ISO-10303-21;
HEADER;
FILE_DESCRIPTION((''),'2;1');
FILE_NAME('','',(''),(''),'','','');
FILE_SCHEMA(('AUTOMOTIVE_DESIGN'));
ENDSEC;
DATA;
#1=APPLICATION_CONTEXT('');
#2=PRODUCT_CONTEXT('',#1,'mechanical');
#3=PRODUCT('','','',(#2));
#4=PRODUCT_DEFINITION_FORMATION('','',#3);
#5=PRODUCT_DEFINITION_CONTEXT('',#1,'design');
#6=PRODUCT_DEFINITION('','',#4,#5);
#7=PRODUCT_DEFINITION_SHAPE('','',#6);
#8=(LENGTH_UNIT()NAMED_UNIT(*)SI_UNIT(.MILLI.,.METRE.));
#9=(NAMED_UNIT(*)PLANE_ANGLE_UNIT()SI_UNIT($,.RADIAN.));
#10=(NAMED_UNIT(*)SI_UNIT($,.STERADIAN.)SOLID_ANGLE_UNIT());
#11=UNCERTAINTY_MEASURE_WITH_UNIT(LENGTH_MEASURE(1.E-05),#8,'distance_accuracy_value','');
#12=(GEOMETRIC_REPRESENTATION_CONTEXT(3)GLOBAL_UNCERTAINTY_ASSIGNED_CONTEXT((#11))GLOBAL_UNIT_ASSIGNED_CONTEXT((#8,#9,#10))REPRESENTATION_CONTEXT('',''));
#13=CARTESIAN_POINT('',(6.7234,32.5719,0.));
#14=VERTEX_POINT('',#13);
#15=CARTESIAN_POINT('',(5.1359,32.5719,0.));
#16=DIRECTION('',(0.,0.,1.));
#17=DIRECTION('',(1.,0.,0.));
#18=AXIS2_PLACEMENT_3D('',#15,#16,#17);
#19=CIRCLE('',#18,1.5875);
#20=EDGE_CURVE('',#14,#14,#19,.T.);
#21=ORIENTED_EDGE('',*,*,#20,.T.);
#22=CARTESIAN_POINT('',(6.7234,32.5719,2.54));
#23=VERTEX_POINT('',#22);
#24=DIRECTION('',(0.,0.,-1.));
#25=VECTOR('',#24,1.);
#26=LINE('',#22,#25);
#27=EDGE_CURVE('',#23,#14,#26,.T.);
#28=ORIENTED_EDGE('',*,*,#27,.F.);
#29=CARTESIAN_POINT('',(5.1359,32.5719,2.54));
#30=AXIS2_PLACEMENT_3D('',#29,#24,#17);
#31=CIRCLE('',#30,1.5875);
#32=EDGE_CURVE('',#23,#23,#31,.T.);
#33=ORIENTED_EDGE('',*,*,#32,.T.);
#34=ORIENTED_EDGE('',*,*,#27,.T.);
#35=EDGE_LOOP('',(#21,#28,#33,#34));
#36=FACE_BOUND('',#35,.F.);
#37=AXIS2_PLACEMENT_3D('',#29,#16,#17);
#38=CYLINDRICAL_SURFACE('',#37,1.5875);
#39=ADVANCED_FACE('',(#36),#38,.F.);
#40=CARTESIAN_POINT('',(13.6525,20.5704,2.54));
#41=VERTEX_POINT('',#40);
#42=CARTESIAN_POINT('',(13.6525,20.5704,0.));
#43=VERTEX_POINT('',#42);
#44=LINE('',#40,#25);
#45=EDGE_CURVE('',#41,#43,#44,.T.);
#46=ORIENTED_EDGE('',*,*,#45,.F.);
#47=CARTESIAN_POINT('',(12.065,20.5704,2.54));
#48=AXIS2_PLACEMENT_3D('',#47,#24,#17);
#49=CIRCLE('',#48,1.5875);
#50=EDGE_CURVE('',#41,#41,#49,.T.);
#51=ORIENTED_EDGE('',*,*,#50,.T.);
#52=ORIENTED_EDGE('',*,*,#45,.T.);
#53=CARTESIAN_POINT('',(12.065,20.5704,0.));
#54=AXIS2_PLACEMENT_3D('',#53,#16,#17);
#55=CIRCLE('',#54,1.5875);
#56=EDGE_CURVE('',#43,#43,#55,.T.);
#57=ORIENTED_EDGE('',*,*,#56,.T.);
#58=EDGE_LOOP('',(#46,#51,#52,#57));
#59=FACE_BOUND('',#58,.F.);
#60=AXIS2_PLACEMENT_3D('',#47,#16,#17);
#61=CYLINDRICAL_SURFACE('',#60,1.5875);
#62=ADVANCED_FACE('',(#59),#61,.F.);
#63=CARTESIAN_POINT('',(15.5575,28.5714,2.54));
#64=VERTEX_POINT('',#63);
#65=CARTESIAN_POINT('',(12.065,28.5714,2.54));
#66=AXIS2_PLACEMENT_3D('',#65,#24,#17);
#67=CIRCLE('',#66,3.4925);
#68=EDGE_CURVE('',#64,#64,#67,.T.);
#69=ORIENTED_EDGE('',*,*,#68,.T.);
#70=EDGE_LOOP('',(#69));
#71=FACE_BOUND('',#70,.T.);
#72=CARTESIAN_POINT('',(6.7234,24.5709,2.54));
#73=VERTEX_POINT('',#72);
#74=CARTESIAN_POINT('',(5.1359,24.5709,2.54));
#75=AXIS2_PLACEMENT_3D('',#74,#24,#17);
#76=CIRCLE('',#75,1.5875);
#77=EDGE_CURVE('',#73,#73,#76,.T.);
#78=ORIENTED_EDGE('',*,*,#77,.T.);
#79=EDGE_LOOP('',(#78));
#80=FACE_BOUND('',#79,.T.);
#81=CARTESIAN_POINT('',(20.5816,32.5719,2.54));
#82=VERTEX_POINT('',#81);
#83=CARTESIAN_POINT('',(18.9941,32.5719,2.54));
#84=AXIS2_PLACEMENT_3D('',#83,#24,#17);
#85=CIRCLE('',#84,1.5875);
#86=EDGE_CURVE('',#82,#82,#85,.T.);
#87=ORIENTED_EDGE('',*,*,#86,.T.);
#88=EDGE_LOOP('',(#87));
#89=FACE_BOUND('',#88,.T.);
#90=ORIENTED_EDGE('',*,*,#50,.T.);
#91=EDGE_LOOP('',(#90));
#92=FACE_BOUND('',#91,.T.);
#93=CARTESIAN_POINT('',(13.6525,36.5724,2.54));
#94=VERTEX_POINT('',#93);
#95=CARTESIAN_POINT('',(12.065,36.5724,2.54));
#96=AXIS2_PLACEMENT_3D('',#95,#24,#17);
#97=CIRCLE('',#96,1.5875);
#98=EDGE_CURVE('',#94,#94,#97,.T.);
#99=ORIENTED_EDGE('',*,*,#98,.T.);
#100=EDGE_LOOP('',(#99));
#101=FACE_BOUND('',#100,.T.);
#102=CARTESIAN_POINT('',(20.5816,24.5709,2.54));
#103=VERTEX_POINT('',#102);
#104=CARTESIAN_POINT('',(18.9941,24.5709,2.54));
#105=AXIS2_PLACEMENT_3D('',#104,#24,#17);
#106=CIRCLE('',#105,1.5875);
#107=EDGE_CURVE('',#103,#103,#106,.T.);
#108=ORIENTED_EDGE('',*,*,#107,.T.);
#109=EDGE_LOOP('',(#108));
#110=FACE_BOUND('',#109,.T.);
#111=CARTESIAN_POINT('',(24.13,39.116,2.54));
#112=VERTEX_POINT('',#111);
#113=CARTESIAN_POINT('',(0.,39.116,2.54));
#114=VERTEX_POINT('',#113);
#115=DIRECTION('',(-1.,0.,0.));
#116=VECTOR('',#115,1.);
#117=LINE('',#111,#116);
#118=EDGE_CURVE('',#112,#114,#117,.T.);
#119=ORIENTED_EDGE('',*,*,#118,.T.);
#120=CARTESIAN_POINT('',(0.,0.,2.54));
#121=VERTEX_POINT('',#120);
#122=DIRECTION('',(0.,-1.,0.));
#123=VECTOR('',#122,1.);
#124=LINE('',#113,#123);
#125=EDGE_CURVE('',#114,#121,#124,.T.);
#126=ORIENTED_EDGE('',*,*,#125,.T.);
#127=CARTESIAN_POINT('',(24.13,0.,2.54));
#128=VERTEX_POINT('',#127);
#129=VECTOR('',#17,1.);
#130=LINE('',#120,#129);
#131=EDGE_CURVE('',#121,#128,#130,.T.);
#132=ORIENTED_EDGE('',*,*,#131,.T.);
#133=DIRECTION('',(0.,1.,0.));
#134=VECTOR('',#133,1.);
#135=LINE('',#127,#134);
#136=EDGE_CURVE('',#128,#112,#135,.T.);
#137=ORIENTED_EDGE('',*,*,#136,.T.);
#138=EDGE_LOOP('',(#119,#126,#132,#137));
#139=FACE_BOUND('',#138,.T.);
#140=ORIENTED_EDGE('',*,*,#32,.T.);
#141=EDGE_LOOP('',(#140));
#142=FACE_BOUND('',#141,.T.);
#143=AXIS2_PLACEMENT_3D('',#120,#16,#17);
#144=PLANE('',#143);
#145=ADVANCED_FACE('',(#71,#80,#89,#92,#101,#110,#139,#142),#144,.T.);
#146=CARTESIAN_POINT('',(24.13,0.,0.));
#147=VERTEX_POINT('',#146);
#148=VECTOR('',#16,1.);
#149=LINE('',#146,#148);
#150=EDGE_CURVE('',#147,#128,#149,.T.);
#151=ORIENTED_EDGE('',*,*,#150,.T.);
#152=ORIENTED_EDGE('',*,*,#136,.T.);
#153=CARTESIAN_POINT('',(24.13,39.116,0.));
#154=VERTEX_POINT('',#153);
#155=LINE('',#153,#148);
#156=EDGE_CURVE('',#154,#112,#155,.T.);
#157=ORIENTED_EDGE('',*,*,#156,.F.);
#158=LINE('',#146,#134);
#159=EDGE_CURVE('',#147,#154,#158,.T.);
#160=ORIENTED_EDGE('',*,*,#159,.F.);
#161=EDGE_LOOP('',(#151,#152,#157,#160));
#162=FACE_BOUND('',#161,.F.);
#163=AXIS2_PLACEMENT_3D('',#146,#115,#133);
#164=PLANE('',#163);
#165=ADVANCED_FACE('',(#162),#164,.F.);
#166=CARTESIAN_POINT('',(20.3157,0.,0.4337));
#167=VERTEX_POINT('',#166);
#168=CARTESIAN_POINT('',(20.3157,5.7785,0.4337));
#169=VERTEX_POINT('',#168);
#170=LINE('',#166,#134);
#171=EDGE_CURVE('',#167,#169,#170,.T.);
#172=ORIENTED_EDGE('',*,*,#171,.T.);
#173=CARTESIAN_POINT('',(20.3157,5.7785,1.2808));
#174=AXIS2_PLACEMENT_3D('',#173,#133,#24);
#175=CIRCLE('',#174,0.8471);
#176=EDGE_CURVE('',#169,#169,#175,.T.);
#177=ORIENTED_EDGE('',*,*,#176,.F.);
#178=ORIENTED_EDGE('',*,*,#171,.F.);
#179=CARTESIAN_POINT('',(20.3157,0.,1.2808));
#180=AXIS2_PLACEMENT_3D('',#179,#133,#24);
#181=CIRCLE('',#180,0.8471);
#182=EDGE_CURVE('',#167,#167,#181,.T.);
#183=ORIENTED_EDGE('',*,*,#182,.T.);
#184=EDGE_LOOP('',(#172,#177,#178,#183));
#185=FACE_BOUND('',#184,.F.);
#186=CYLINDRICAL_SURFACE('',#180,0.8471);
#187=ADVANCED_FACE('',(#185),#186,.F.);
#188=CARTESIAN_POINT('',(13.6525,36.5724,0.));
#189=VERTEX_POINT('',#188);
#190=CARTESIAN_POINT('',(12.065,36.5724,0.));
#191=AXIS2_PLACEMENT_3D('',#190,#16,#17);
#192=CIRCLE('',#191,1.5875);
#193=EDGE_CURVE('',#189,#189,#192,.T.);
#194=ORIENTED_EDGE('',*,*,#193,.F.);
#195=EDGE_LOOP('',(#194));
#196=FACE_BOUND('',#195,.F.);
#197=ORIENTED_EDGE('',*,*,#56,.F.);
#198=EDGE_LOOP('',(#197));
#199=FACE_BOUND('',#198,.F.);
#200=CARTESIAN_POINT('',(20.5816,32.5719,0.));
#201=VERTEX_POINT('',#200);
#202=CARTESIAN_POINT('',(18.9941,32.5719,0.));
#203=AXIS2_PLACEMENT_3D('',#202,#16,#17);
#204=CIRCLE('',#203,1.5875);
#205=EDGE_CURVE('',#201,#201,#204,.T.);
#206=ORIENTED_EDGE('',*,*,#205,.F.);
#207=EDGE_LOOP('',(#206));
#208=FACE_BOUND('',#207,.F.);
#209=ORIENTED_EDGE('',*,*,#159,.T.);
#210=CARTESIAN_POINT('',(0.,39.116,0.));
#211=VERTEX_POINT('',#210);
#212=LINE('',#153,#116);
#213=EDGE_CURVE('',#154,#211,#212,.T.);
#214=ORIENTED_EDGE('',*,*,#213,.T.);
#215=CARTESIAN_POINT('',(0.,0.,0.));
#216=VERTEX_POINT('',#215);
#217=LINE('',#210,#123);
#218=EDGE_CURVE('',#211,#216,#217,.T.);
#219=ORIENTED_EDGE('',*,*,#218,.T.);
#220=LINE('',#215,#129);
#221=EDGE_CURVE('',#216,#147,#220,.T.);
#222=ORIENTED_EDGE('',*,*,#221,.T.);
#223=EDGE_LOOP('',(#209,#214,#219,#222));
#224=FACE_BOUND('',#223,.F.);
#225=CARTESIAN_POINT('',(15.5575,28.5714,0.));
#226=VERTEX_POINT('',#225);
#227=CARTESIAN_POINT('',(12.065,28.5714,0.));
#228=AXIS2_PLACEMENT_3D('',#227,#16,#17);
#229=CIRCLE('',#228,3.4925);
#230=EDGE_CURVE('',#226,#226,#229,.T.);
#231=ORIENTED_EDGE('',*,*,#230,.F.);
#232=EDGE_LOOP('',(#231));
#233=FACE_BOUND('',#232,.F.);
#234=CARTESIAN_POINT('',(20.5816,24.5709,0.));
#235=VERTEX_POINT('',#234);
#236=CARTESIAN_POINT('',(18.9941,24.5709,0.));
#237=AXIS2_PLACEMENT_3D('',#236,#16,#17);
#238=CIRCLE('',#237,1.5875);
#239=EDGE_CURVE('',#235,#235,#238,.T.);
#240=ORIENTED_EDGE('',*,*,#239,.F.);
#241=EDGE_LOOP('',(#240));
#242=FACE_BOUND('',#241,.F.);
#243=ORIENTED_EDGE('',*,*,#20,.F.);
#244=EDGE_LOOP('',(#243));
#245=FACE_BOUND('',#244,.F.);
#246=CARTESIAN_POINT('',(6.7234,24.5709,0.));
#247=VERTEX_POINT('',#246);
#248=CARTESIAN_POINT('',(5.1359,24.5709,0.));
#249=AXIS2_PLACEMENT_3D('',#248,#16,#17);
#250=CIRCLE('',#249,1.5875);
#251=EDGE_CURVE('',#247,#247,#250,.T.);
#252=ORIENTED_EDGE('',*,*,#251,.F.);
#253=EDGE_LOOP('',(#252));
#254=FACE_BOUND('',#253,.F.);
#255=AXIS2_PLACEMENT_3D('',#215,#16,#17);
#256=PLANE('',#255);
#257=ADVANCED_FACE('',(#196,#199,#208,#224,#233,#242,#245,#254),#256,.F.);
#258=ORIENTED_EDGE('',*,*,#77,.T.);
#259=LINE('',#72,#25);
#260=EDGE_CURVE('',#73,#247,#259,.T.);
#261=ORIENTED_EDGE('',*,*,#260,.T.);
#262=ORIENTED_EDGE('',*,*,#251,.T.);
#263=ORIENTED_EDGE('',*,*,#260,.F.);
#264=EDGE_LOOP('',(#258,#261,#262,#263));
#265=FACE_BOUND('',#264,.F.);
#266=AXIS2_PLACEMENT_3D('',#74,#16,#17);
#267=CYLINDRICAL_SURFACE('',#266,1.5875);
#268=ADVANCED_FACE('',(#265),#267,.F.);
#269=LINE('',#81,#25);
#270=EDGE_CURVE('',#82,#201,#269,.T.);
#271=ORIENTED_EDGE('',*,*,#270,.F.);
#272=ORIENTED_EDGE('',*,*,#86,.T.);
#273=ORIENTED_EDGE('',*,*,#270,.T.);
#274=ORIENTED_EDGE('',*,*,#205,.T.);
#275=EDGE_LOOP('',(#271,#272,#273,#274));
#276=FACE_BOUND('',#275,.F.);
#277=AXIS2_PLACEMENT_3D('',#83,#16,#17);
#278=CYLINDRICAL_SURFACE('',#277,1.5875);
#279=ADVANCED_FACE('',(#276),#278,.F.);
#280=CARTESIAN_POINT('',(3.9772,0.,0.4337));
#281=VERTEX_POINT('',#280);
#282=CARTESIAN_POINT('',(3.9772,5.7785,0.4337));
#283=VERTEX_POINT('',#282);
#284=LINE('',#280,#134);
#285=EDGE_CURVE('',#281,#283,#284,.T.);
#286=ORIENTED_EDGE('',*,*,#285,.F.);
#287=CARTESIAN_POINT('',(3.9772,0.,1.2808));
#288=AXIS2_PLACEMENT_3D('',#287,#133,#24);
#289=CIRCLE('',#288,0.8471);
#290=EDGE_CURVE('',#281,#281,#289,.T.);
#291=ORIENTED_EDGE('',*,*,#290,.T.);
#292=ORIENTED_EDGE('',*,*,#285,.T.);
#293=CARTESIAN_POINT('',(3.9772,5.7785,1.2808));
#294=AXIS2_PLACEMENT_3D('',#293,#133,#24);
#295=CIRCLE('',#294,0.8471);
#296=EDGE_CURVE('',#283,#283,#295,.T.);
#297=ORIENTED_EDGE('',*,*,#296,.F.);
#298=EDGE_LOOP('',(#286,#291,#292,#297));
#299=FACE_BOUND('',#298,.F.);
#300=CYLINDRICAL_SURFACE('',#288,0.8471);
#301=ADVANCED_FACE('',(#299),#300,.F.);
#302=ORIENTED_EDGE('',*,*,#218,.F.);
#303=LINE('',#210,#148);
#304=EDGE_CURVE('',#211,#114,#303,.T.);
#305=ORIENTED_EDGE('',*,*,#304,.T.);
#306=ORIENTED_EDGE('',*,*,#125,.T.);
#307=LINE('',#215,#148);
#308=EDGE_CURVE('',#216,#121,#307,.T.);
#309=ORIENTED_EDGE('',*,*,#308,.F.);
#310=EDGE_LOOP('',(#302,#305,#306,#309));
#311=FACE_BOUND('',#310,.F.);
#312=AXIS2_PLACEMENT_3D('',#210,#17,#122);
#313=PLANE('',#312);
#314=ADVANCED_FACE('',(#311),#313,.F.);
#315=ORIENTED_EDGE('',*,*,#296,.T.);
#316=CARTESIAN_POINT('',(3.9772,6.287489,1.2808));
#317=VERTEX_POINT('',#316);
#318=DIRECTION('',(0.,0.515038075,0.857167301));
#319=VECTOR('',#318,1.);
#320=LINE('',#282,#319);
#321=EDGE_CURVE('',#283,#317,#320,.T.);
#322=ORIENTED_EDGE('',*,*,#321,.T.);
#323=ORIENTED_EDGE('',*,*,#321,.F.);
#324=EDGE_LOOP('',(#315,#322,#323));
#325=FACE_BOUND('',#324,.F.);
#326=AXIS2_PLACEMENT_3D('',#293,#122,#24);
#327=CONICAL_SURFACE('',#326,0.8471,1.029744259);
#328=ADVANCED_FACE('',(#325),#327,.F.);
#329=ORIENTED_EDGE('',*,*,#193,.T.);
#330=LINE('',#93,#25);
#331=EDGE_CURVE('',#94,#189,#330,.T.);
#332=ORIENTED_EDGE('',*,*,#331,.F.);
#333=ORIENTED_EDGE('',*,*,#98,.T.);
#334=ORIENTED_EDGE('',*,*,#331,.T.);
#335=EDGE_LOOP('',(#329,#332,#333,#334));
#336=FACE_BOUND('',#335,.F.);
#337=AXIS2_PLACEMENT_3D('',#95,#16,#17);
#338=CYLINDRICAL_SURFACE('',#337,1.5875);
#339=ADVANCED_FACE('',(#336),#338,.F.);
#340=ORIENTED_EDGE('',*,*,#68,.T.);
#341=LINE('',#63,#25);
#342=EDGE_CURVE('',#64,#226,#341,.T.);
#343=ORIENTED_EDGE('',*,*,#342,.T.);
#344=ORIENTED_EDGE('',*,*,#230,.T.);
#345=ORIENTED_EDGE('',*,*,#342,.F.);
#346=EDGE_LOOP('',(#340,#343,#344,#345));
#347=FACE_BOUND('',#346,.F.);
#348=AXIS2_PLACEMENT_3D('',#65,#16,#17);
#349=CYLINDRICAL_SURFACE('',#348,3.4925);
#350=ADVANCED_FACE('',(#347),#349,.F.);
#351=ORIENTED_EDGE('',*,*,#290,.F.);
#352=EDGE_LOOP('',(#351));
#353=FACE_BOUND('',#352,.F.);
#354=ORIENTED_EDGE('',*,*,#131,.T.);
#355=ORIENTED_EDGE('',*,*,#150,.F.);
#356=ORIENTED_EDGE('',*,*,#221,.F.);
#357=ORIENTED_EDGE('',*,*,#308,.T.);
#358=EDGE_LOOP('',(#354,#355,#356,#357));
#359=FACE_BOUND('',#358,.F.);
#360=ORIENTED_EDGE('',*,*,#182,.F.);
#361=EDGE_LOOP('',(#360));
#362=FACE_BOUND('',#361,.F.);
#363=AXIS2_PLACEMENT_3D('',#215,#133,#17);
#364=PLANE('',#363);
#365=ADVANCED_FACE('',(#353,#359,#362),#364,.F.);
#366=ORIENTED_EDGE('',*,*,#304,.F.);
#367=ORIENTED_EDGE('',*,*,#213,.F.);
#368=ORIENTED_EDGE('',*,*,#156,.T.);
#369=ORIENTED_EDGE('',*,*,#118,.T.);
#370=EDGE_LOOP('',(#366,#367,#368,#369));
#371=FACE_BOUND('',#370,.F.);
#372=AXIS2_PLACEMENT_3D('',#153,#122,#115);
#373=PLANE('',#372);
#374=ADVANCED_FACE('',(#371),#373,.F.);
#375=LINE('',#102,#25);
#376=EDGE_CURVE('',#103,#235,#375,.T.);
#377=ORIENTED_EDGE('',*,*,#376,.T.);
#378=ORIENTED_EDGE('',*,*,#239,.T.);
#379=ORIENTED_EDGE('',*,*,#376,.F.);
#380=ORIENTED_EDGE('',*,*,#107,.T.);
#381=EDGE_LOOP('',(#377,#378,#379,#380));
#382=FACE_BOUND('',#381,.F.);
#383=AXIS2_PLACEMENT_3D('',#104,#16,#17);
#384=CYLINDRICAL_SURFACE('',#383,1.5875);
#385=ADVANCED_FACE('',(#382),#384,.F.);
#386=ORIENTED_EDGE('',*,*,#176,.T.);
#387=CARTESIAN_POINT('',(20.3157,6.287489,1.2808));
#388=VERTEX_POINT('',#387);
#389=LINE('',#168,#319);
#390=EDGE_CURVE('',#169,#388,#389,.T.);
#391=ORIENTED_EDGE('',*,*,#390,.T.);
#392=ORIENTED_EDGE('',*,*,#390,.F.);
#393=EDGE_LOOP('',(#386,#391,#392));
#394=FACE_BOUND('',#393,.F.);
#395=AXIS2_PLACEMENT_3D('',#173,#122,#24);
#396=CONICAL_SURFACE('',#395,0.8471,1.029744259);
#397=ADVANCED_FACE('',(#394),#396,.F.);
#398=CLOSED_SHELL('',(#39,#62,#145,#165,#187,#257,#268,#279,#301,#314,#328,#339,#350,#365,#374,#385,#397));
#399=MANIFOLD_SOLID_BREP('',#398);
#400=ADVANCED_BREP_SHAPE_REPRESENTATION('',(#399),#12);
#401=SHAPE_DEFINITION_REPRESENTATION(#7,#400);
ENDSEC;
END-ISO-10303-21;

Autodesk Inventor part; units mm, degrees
ref_plane "YZ Plane" through (0, 0, 0) normal (1, 0, 0) x (0, 1, 0)
ref_plane "XZ Plane" through (0, 0, 0) normal (0, 1, 0) x (-1, 0, 0)
ref_plane "XY Plane" through (0, 0, 0) normal (0, 0, 1) x (1, 0, 0)
sketch "Sketch1" plane through (0, 0, 0) normal (0, 0, 1) x (1, 0, 0)
  line L0 (0, 0) -> (24.13, 0)
  line L1 (24.13, 0) -> (24.13, 39.116)
  line L2 (24.13, 39.116) -> (0, 39.116)
  line L3 (0, 39.116) -> (0, 0)
  dimension "d0" = 39.116
  dimension "d1" = 24.13
extrude "Extrusion1" add sketch "Sketch1" along normal blind 2.54
sketch "Sketch3" plane through (0, 0, 0) normal (0, -1, 0) x (1, 0, 0)
  circle A0 centre (3.9772, 1.2808) radius 0.9652
  circle A1 centre (20.3157, 1.2808) radius 0.9652
  point P0 (0, 0)
  dimension "d7" = 1.9304
  dimension "d8" = 1.9304
hole "Hole1" at (3.9772, 0, 1.2808) at (20.3157, 0, 1.2808) direction (0, 1, 0) diameter 1.6942 depth 5.7785 tip angle 118 thread size "2-56 UNC" class "2B" standard "ANSI Unified Screw Threads"
sketch "Sketch5" plane through (0, 0, 2.54) normal (0, 0, 1) x (1, 0, 0)
  circle A0 centre (12.065, 28.5714) radius 3.4925
  circle A1 centre (12.065, 28.5714) radius 8.001
  circle A2 centre (18.9941, 32.5719) radius 1.5875
  circle A3 centre (12.065, 36.5724) radius 1.5875
  circle A4 centre (12.065, 28.5714) radius 8.001
  circle A5 centre (5.1359, 32.5719) radius 1.5875
  circle A6 centre (12.065, 28.5714) radius 8.001
  circle A7 centre (5.1359, 24.5709) radius 1.5875
  circle A8 centre (12.065, 28.5714) radius 8.001
  circle A9 centre (12.065, 20.5704) radius 1.5875
  circle A10 centre (12.065, 28.5714) radius 8.001
  circle A11 centre (18.9941, 24.5709) radius 1.5875
  circle A12 centre (12.065, 28.5714) radius 8.001
  line L0 (24.13, 0) -> (24.13, 39.116) projected
  line L1 (24.13, 39.116) -> (0, 39.116) projected
  line L2 (0, 0) -> (24.13, 0) projected
  line L3 (12.065, 39.116) -> (12.065, 28.5714)
  dimension "d32" = 16.002
  dimension "d31" = 6.985
  dimension "d33" = 3.175
  dimension "d34" = 360
  dimension "d35" = 24.13
extrude "Extrusion4" cut sketch "Sketch5" against normal through all contours A0 | A3 A1 L3 | L3 A1 A3 | A3 L3 A1 | A1 L3 A3 | A5 A1 | A1 A5 | A2 A1 | A1 A2 | A7 A1 | A1 A7 | A11 A1 | A1 A11 | A9 A1 | A1 A9
properties part number "collection motor mount"
